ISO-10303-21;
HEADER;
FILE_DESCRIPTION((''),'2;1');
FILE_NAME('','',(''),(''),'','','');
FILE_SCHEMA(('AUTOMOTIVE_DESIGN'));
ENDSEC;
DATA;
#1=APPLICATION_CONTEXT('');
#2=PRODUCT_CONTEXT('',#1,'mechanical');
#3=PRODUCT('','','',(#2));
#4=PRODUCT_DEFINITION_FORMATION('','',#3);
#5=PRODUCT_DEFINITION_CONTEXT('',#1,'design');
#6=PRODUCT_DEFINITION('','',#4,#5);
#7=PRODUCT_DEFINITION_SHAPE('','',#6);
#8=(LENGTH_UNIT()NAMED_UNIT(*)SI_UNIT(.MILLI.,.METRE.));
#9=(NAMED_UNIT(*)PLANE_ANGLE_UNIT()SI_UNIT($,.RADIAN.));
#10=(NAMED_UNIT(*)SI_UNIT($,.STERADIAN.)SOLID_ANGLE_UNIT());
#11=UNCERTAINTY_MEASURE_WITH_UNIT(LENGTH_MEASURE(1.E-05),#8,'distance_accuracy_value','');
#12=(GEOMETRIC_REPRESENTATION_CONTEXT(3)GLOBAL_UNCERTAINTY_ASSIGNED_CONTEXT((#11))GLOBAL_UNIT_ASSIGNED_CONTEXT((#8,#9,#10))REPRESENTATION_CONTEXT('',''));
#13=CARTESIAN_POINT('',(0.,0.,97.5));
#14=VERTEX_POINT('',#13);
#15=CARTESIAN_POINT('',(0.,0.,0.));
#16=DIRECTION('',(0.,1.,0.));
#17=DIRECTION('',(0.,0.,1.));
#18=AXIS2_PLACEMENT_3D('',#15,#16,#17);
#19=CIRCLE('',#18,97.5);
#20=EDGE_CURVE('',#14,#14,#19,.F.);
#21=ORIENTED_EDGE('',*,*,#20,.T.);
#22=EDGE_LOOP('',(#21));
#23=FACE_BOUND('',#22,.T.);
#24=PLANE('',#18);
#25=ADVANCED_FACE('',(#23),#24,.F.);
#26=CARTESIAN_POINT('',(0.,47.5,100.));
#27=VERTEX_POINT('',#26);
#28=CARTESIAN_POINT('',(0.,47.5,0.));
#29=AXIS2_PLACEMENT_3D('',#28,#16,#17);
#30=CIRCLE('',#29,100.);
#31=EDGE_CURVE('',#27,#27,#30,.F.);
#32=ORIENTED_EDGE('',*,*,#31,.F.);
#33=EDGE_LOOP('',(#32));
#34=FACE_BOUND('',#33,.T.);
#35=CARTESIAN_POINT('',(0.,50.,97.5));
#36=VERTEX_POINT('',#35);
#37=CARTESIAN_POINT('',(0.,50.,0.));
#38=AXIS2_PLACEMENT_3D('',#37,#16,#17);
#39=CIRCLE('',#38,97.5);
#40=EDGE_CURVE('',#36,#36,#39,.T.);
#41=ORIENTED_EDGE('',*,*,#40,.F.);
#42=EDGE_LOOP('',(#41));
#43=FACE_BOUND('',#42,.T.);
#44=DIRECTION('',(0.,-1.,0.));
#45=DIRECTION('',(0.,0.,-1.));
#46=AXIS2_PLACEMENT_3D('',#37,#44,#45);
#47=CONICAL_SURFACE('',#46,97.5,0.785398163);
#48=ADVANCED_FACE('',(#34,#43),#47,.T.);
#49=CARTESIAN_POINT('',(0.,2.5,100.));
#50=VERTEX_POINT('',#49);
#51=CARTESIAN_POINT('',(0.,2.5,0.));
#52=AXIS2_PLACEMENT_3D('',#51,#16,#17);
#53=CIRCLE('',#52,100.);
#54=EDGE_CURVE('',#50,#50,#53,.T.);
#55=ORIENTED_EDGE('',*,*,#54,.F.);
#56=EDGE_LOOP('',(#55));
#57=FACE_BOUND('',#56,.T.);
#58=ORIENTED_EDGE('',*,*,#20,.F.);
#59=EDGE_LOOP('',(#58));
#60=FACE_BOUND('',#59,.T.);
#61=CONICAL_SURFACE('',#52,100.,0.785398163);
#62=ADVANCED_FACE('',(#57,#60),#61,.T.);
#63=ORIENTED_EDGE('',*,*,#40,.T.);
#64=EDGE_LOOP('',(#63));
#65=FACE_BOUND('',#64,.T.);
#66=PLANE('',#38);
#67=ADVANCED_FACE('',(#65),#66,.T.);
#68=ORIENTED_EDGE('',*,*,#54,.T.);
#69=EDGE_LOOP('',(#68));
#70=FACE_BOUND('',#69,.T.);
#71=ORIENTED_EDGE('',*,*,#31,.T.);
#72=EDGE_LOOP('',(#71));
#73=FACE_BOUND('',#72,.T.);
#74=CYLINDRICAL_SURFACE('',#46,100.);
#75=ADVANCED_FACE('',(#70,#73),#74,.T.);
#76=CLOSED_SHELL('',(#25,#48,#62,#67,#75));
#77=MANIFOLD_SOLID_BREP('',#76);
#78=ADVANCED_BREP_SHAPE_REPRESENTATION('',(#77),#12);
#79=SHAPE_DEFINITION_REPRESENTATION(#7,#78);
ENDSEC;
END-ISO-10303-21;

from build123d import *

# Parameters (mm, degrees)
ESQUISSE1_R      = 100
EXTRUSION1_DEPTH = 50
CHANFREIN1_SIZE  = 2.5


with BuildPart() as part:
    # Esquisse1 → Extrusion1 (new body)
    with BuildSketch(Plane(origin=(0, 0, 0), x_dir=(1, 0, 0), z_dir=(0, 1, 0))):
        Circle(ESQUISSE1_R)
    extrude(amount=EXTRUSION1_DEPTH)

    # Chanfrein1
    chanfrein1_edges = [part.edges().sort_by_distance(p)[0] for p in [
        (-100, 0, 0),
        (-100, 50, 0),
    ]]
    chamfer(chanfrein1_edges, length=CHANFREIN1_SIZE)


solid = part.part
